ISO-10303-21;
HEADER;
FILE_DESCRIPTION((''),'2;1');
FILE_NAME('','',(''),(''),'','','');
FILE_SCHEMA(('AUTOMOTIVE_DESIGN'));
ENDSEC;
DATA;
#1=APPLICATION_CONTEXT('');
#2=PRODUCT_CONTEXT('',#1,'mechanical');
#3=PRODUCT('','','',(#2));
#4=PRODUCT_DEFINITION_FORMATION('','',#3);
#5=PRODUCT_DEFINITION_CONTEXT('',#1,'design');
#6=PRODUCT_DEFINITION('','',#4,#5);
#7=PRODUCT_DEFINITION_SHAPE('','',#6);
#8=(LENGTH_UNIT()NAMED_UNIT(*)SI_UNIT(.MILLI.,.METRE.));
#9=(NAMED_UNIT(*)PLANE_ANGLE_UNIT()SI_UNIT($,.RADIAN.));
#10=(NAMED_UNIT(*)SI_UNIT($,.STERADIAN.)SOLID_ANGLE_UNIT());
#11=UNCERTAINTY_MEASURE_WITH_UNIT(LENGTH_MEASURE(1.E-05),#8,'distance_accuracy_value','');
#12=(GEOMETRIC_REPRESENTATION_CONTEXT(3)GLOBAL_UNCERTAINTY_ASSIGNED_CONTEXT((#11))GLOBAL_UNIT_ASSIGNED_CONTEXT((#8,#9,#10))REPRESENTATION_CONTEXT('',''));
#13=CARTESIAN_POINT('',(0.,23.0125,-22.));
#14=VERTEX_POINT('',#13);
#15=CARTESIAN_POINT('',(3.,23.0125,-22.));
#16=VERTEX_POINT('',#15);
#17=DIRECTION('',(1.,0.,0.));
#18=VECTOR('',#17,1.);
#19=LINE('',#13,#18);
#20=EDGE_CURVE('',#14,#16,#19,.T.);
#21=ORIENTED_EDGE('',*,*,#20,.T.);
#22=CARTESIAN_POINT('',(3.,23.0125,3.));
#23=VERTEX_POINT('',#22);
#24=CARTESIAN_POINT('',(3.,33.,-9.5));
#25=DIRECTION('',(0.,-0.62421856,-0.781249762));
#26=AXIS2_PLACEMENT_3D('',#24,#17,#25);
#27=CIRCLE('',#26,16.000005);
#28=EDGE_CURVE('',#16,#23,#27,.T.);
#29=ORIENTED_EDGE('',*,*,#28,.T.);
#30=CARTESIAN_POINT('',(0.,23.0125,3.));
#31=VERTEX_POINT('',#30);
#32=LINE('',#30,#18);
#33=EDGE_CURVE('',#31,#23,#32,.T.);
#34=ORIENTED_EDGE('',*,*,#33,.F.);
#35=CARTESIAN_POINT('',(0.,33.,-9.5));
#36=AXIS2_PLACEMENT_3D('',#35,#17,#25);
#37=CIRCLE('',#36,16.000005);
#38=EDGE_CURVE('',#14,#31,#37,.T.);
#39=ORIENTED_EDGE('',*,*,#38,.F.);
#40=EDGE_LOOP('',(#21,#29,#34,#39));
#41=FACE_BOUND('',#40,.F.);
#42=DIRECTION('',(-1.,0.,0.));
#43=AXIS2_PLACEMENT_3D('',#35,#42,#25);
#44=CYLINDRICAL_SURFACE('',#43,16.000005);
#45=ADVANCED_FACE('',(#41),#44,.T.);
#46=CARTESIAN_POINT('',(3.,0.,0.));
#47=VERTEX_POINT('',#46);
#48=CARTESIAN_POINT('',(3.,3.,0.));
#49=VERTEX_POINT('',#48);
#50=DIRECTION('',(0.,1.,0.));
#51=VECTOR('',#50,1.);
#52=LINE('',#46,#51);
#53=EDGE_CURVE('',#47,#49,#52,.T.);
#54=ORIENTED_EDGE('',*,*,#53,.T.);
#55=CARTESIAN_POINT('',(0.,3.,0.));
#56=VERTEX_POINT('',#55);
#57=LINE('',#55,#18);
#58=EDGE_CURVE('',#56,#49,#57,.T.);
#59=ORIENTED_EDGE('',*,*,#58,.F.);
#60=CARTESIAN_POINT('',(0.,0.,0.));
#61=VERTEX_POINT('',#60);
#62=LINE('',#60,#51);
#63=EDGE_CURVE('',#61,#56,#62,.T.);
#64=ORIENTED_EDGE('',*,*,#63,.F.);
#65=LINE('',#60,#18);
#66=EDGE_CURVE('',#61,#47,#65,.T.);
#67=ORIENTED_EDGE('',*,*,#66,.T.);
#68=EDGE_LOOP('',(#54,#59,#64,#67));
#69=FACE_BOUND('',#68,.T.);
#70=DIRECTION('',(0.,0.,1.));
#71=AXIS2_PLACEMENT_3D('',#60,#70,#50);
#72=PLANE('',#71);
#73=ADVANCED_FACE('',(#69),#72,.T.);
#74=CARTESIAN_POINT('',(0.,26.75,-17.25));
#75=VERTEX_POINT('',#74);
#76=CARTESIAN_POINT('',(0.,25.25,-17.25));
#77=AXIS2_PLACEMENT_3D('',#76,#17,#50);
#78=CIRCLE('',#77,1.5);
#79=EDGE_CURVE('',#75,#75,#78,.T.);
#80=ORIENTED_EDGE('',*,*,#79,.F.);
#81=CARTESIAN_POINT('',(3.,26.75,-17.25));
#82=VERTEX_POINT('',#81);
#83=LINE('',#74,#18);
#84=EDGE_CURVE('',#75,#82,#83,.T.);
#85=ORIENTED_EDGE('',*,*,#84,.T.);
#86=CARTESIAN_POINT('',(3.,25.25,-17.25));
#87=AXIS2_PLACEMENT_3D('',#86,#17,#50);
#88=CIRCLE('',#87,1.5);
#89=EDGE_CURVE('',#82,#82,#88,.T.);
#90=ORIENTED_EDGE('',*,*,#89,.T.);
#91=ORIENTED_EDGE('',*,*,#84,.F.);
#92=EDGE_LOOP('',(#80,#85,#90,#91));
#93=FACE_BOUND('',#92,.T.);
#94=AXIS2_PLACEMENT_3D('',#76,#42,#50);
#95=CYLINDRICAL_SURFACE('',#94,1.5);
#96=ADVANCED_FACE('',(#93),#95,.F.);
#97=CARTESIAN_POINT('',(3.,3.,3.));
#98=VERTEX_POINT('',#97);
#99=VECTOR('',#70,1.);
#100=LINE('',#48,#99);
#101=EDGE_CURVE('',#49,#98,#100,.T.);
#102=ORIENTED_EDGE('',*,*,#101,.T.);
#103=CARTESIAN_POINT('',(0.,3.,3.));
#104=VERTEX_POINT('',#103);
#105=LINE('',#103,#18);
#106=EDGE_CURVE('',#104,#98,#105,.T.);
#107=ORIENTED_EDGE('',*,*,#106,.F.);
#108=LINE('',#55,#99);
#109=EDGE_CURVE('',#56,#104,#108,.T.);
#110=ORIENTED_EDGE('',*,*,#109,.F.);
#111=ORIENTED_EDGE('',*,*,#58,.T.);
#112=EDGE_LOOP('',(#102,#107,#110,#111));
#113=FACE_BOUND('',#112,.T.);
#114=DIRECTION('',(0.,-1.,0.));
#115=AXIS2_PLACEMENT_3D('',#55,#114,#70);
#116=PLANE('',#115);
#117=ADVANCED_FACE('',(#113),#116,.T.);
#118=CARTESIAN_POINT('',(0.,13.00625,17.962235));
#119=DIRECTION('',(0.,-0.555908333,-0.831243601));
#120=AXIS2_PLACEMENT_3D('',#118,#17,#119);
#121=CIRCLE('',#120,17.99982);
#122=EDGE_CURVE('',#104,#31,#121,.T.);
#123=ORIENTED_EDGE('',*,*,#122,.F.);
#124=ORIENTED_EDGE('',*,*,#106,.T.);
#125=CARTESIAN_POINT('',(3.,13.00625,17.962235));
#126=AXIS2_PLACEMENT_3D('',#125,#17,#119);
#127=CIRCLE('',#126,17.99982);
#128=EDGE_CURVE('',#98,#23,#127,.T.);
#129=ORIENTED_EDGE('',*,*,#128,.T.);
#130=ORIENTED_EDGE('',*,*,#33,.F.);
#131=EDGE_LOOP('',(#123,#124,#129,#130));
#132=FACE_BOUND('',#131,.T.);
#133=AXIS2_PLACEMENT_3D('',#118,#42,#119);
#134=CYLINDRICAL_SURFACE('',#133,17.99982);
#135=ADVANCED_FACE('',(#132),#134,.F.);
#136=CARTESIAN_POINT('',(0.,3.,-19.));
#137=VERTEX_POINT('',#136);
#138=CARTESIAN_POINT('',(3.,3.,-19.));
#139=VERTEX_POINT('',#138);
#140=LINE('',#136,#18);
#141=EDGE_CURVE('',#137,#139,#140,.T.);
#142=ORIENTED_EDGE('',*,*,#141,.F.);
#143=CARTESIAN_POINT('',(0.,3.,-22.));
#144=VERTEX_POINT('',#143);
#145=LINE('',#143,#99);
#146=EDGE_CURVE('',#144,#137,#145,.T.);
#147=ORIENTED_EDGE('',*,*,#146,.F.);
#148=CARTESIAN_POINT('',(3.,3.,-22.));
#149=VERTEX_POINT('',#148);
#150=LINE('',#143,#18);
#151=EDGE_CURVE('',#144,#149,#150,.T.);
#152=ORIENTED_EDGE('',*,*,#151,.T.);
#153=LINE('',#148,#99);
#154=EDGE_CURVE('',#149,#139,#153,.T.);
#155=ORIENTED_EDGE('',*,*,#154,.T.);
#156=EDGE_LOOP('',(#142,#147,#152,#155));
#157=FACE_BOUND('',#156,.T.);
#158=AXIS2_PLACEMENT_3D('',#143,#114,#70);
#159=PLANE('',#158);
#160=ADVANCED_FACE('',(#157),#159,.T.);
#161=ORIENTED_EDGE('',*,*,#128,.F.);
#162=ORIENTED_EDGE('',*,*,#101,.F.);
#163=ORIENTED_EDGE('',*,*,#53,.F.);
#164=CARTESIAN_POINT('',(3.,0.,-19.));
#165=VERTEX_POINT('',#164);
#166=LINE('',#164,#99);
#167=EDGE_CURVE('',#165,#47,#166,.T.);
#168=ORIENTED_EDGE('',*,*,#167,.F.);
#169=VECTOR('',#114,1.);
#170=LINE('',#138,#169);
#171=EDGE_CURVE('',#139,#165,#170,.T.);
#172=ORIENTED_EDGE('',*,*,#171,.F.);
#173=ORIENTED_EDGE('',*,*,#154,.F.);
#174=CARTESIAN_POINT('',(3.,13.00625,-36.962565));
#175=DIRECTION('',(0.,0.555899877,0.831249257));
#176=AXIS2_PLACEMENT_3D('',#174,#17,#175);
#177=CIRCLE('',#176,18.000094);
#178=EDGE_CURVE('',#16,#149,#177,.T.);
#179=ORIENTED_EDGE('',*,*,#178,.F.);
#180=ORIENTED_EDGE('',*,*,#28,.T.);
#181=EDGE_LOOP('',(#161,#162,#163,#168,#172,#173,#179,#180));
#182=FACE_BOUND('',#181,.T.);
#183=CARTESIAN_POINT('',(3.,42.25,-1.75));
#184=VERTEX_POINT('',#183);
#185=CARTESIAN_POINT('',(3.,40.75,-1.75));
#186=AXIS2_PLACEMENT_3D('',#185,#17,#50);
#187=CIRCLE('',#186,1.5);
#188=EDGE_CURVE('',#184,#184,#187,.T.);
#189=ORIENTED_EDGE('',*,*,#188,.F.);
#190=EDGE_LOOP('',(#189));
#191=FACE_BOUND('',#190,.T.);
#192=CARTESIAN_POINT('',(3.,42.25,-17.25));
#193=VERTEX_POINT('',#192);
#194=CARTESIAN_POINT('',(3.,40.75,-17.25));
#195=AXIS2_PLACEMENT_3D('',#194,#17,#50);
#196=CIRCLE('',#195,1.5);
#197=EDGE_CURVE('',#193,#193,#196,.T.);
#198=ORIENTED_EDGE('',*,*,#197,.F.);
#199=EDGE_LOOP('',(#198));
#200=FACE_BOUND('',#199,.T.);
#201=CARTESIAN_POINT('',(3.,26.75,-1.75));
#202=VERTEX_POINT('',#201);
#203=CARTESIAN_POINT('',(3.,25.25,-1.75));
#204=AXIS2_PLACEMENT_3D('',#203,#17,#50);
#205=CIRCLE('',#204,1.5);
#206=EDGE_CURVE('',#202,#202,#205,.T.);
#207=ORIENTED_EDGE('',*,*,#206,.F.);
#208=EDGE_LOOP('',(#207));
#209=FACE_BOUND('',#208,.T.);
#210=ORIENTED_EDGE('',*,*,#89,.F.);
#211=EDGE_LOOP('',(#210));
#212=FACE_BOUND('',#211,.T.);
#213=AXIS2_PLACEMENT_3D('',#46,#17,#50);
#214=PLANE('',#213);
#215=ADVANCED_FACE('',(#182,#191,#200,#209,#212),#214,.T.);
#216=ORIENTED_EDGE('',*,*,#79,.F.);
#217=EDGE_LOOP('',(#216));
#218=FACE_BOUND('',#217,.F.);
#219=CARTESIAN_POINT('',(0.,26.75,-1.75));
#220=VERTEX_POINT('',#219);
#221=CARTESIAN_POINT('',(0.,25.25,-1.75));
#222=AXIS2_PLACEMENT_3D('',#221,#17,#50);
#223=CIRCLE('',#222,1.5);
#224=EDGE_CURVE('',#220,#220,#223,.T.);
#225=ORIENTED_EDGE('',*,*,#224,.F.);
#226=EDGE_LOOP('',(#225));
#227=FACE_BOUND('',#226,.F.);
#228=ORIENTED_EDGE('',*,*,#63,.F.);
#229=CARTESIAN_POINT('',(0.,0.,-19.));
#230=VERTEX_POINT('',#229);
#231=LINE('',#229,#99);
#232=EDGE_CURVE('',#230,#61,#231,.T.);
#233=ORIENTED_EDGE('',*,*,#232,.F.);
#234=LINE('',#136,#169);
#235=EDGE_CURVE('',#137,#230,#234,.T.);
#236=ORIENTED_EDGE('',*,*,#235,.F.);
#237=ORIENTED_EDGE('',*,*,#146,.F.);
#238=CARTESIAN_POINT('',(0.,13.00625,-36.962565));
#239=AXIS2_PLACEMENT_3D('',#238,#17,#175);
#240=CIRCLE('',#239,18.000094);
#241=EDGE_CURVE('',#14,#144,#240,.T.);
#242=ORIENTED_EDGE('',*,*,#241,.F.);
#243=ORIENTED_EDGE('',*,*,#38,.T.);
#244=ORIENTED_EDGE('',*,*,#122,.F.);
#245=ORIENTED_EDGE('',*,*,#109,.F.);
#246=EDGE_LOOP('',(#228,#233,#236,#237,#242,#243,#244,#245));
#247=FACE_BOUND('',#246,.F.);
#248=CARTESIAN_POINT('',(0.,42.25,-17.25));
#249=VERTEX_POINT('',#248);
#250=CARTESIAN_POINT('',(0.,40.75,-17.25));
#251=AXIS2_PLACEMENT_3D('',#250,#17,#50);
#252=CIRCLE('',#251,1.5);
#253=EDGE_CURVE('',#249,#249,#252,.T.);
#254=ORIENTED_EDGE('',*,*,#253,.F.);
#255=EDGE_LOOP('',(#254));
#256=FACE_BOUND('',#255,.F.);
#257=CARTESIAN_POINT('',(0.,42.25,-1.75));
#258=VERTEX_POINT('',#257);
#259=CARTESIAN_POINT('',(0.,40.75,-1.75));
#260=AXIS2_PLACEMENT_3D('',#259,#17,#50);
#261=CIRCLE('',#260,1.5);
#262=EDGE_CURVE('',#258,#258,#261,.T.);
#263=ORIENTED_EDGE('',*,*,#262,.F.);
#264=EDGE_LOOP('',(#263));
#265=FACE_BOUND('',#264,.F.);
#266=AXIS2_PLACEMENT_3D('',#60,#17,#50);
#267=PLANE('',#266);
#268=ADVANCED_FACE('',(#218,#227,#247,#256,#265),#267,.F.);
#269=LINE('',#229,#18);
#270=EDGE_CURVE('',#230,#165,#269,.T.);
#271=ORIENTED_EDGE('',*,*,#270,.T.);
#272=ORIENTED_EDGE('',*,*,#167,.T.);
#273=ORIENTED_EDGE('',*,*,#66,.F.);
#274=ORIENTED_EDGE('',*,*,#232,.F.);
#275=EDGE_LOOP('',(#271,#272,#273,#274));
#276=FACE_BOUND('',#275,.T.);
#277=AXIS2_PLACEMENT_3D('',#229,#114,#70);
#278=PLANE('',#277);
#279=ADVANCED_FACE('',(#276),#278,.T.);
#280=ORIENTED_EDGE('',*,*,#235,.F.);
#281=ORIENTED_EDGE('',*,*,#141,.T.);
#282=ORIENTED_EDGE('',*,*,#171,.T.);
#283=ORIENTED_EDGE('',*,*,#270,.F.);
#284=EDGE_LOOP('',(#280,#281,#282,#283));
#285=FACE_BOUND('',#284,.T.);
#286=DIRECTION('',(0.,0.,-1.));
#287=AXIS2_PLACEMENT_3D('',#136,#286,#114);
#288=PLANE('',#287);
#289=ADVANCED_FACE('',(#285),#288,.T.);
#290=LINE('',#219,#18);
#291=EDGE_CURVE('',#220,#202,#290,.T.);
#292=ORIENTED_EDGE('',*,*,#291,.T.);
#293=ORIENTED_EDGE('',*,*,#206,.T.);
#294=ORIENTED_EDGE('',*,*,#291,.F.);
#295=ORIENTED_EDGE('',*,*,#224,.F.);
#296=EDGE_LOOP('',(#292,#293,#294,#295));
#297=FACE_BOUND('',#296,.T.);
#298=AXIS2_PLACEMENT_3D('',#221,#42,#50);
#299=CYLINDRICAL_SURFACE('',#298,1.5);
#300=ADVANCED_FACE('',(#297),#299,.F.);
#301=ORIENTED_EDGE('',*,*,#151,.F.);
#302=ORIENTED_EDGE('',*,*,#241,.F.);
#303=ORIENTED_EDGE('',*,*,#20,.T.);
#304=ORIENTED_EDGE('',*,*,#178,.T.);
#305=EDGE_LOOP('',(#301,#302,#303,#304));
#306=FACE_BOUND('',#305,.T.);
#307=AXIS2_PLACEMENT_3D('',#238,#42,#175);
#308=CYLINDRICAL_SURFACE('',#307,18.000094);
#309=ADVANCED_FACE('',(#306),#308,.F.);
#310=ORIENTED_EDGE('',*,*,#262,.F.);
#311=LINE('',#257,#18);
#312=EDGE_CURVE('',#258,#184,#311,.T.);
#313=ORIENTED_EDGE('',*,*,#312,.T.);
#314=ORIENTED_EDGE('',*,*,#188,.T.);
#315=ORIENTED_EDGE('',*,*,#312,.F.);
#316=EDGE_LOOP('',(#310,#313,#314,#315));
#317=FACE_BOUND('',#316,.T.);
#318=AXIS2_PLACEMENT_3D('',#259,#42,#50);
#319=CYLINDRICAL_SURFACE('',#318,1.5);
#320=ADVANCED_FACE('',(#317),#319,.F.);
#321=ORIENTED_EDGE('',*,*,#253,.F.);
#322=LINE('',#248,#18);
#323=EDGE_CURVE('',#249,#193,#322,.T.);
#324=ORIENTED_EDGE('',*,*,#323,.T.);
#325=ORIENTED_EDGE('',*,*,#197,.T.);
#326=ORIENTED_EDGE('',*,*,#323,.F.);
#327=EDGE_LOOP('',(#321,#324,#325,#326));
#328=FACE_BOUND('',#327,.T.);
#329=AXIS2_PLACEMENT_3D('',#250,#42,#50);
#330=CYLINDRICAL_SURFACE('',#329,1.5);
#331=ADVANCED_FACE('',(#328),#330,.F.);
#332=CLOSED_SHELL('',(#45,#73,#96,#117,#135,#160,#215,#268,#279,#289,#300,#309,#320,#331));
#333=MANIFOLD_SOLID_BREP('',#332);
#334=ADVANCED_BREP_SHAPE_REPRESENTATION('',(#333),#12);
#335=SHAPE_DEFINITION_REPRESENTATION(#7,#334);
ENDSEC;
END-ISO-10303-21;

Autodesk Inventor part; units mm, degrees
ref_plane "YZ Plane" through (0, 0, 0) normal (1, 0, 0) x (0, 1, 0)
ref_plane "XZ Plane" through (0, 0, 0) normal (0, 1, 0) x (-1, 0, 0)
ref_plane "XY Plane" through (0, 0, 0) normal (0, 0, 1) x (1, 0, 0)
sketch "Sketch1" plane through (0, 0, 0) normal (1, 0, 0) x (0, 1, 0)
  line L0 (0, 0) -> (3, 0)
  line L1 (3, 0) -> (3, -19) construction
  line L2 (3, -19) -> (0, -19)
  line L3 (0, -19) -> (0, 0)
  line L4 (3, 0) -> (3, 3) construction
  line L5 (3, 3) -> (23.0125, 3) construction
  line L6 (33, 3) -> (33, -22) construction
  line L7 (33, -22) -> (23.0125, -22) construction
  line L8 (3, -22) -> (3, -19)
  line L9 (33, -9.5) -> (40.75, -9.5) construction
  line L10 (40.75, -9.5) -> (40.75, -17.25) construction
  line L11 (40.75, -17.25) -> (33, -17.25) construction
  line L12 (33, -17.25) -> (33, -9.5) construction
  circle A0 centre (40.75, -17.25) radius 1.5
  line L13 (40.75, -17.25) -> (25.25, -17.25) construction
  line L14 (25.25, -17.25) -> (25.25, -1.75) construction
  line L15 (25.25, -1.75) -> (40.75, -1.75) construction
  line L16 (40.75, -1.75) -> (40.75, -17.25) construction
  circle A1 centre (25.25, -17.25) radius 1.5
  circle A2 centre (25.25, -1.75) radius 1.5
  circle A3 centre (40.75, -1.75) radius 1.5
  arc A4 (23.0125, -22) -> (23.0125, 3) centre (33, -9.5) ccw
  line L17 (23.0125, 3) -> (33, 3) construction
  line L18 (23.0125, -22) -> (3, -22) construction
  arc A5 (3, 3) -> (23.0125, 3) centre (13.0063, 17.9624) ccw
  arc A6 (23.0125, -22) -> (3, -22) centre (13.0063, -36.9624) ccw
  line L19 (3, 0) -> (3, 3)
  line L20 (3, -19) -> (3, 0) construction
  arc A7 (23.0125, 3) -> (23.0125, -22) centre (33, -9.5) ccw construction
  point P0 (23.0125, -22)
  point P1 (23.0125, 3)
  dimension "d0" = 3
  dimension "d1" = 19
  dimension "d2" = 3
  dimension "d3" = 30
  dimension "d4" = 25
  dimension "d5" = 7.75
  dimension "d6" = 7.75
  dimension "d7" = 3
  dimension "d8" = 15.5
  dimension "d9" = 15.5
  dimension "d10" = 3
  dimension "d11" = 3
  dimension "d12" = 3
  dimension "d13" = 32
  dimension "d16" = 18
  dimension "d17" = 18
extrude "Extrusion1" add sketch "Sketch1" along normal blind 3
properties part number "soporteEncoder" material "PMMA Plastic"
